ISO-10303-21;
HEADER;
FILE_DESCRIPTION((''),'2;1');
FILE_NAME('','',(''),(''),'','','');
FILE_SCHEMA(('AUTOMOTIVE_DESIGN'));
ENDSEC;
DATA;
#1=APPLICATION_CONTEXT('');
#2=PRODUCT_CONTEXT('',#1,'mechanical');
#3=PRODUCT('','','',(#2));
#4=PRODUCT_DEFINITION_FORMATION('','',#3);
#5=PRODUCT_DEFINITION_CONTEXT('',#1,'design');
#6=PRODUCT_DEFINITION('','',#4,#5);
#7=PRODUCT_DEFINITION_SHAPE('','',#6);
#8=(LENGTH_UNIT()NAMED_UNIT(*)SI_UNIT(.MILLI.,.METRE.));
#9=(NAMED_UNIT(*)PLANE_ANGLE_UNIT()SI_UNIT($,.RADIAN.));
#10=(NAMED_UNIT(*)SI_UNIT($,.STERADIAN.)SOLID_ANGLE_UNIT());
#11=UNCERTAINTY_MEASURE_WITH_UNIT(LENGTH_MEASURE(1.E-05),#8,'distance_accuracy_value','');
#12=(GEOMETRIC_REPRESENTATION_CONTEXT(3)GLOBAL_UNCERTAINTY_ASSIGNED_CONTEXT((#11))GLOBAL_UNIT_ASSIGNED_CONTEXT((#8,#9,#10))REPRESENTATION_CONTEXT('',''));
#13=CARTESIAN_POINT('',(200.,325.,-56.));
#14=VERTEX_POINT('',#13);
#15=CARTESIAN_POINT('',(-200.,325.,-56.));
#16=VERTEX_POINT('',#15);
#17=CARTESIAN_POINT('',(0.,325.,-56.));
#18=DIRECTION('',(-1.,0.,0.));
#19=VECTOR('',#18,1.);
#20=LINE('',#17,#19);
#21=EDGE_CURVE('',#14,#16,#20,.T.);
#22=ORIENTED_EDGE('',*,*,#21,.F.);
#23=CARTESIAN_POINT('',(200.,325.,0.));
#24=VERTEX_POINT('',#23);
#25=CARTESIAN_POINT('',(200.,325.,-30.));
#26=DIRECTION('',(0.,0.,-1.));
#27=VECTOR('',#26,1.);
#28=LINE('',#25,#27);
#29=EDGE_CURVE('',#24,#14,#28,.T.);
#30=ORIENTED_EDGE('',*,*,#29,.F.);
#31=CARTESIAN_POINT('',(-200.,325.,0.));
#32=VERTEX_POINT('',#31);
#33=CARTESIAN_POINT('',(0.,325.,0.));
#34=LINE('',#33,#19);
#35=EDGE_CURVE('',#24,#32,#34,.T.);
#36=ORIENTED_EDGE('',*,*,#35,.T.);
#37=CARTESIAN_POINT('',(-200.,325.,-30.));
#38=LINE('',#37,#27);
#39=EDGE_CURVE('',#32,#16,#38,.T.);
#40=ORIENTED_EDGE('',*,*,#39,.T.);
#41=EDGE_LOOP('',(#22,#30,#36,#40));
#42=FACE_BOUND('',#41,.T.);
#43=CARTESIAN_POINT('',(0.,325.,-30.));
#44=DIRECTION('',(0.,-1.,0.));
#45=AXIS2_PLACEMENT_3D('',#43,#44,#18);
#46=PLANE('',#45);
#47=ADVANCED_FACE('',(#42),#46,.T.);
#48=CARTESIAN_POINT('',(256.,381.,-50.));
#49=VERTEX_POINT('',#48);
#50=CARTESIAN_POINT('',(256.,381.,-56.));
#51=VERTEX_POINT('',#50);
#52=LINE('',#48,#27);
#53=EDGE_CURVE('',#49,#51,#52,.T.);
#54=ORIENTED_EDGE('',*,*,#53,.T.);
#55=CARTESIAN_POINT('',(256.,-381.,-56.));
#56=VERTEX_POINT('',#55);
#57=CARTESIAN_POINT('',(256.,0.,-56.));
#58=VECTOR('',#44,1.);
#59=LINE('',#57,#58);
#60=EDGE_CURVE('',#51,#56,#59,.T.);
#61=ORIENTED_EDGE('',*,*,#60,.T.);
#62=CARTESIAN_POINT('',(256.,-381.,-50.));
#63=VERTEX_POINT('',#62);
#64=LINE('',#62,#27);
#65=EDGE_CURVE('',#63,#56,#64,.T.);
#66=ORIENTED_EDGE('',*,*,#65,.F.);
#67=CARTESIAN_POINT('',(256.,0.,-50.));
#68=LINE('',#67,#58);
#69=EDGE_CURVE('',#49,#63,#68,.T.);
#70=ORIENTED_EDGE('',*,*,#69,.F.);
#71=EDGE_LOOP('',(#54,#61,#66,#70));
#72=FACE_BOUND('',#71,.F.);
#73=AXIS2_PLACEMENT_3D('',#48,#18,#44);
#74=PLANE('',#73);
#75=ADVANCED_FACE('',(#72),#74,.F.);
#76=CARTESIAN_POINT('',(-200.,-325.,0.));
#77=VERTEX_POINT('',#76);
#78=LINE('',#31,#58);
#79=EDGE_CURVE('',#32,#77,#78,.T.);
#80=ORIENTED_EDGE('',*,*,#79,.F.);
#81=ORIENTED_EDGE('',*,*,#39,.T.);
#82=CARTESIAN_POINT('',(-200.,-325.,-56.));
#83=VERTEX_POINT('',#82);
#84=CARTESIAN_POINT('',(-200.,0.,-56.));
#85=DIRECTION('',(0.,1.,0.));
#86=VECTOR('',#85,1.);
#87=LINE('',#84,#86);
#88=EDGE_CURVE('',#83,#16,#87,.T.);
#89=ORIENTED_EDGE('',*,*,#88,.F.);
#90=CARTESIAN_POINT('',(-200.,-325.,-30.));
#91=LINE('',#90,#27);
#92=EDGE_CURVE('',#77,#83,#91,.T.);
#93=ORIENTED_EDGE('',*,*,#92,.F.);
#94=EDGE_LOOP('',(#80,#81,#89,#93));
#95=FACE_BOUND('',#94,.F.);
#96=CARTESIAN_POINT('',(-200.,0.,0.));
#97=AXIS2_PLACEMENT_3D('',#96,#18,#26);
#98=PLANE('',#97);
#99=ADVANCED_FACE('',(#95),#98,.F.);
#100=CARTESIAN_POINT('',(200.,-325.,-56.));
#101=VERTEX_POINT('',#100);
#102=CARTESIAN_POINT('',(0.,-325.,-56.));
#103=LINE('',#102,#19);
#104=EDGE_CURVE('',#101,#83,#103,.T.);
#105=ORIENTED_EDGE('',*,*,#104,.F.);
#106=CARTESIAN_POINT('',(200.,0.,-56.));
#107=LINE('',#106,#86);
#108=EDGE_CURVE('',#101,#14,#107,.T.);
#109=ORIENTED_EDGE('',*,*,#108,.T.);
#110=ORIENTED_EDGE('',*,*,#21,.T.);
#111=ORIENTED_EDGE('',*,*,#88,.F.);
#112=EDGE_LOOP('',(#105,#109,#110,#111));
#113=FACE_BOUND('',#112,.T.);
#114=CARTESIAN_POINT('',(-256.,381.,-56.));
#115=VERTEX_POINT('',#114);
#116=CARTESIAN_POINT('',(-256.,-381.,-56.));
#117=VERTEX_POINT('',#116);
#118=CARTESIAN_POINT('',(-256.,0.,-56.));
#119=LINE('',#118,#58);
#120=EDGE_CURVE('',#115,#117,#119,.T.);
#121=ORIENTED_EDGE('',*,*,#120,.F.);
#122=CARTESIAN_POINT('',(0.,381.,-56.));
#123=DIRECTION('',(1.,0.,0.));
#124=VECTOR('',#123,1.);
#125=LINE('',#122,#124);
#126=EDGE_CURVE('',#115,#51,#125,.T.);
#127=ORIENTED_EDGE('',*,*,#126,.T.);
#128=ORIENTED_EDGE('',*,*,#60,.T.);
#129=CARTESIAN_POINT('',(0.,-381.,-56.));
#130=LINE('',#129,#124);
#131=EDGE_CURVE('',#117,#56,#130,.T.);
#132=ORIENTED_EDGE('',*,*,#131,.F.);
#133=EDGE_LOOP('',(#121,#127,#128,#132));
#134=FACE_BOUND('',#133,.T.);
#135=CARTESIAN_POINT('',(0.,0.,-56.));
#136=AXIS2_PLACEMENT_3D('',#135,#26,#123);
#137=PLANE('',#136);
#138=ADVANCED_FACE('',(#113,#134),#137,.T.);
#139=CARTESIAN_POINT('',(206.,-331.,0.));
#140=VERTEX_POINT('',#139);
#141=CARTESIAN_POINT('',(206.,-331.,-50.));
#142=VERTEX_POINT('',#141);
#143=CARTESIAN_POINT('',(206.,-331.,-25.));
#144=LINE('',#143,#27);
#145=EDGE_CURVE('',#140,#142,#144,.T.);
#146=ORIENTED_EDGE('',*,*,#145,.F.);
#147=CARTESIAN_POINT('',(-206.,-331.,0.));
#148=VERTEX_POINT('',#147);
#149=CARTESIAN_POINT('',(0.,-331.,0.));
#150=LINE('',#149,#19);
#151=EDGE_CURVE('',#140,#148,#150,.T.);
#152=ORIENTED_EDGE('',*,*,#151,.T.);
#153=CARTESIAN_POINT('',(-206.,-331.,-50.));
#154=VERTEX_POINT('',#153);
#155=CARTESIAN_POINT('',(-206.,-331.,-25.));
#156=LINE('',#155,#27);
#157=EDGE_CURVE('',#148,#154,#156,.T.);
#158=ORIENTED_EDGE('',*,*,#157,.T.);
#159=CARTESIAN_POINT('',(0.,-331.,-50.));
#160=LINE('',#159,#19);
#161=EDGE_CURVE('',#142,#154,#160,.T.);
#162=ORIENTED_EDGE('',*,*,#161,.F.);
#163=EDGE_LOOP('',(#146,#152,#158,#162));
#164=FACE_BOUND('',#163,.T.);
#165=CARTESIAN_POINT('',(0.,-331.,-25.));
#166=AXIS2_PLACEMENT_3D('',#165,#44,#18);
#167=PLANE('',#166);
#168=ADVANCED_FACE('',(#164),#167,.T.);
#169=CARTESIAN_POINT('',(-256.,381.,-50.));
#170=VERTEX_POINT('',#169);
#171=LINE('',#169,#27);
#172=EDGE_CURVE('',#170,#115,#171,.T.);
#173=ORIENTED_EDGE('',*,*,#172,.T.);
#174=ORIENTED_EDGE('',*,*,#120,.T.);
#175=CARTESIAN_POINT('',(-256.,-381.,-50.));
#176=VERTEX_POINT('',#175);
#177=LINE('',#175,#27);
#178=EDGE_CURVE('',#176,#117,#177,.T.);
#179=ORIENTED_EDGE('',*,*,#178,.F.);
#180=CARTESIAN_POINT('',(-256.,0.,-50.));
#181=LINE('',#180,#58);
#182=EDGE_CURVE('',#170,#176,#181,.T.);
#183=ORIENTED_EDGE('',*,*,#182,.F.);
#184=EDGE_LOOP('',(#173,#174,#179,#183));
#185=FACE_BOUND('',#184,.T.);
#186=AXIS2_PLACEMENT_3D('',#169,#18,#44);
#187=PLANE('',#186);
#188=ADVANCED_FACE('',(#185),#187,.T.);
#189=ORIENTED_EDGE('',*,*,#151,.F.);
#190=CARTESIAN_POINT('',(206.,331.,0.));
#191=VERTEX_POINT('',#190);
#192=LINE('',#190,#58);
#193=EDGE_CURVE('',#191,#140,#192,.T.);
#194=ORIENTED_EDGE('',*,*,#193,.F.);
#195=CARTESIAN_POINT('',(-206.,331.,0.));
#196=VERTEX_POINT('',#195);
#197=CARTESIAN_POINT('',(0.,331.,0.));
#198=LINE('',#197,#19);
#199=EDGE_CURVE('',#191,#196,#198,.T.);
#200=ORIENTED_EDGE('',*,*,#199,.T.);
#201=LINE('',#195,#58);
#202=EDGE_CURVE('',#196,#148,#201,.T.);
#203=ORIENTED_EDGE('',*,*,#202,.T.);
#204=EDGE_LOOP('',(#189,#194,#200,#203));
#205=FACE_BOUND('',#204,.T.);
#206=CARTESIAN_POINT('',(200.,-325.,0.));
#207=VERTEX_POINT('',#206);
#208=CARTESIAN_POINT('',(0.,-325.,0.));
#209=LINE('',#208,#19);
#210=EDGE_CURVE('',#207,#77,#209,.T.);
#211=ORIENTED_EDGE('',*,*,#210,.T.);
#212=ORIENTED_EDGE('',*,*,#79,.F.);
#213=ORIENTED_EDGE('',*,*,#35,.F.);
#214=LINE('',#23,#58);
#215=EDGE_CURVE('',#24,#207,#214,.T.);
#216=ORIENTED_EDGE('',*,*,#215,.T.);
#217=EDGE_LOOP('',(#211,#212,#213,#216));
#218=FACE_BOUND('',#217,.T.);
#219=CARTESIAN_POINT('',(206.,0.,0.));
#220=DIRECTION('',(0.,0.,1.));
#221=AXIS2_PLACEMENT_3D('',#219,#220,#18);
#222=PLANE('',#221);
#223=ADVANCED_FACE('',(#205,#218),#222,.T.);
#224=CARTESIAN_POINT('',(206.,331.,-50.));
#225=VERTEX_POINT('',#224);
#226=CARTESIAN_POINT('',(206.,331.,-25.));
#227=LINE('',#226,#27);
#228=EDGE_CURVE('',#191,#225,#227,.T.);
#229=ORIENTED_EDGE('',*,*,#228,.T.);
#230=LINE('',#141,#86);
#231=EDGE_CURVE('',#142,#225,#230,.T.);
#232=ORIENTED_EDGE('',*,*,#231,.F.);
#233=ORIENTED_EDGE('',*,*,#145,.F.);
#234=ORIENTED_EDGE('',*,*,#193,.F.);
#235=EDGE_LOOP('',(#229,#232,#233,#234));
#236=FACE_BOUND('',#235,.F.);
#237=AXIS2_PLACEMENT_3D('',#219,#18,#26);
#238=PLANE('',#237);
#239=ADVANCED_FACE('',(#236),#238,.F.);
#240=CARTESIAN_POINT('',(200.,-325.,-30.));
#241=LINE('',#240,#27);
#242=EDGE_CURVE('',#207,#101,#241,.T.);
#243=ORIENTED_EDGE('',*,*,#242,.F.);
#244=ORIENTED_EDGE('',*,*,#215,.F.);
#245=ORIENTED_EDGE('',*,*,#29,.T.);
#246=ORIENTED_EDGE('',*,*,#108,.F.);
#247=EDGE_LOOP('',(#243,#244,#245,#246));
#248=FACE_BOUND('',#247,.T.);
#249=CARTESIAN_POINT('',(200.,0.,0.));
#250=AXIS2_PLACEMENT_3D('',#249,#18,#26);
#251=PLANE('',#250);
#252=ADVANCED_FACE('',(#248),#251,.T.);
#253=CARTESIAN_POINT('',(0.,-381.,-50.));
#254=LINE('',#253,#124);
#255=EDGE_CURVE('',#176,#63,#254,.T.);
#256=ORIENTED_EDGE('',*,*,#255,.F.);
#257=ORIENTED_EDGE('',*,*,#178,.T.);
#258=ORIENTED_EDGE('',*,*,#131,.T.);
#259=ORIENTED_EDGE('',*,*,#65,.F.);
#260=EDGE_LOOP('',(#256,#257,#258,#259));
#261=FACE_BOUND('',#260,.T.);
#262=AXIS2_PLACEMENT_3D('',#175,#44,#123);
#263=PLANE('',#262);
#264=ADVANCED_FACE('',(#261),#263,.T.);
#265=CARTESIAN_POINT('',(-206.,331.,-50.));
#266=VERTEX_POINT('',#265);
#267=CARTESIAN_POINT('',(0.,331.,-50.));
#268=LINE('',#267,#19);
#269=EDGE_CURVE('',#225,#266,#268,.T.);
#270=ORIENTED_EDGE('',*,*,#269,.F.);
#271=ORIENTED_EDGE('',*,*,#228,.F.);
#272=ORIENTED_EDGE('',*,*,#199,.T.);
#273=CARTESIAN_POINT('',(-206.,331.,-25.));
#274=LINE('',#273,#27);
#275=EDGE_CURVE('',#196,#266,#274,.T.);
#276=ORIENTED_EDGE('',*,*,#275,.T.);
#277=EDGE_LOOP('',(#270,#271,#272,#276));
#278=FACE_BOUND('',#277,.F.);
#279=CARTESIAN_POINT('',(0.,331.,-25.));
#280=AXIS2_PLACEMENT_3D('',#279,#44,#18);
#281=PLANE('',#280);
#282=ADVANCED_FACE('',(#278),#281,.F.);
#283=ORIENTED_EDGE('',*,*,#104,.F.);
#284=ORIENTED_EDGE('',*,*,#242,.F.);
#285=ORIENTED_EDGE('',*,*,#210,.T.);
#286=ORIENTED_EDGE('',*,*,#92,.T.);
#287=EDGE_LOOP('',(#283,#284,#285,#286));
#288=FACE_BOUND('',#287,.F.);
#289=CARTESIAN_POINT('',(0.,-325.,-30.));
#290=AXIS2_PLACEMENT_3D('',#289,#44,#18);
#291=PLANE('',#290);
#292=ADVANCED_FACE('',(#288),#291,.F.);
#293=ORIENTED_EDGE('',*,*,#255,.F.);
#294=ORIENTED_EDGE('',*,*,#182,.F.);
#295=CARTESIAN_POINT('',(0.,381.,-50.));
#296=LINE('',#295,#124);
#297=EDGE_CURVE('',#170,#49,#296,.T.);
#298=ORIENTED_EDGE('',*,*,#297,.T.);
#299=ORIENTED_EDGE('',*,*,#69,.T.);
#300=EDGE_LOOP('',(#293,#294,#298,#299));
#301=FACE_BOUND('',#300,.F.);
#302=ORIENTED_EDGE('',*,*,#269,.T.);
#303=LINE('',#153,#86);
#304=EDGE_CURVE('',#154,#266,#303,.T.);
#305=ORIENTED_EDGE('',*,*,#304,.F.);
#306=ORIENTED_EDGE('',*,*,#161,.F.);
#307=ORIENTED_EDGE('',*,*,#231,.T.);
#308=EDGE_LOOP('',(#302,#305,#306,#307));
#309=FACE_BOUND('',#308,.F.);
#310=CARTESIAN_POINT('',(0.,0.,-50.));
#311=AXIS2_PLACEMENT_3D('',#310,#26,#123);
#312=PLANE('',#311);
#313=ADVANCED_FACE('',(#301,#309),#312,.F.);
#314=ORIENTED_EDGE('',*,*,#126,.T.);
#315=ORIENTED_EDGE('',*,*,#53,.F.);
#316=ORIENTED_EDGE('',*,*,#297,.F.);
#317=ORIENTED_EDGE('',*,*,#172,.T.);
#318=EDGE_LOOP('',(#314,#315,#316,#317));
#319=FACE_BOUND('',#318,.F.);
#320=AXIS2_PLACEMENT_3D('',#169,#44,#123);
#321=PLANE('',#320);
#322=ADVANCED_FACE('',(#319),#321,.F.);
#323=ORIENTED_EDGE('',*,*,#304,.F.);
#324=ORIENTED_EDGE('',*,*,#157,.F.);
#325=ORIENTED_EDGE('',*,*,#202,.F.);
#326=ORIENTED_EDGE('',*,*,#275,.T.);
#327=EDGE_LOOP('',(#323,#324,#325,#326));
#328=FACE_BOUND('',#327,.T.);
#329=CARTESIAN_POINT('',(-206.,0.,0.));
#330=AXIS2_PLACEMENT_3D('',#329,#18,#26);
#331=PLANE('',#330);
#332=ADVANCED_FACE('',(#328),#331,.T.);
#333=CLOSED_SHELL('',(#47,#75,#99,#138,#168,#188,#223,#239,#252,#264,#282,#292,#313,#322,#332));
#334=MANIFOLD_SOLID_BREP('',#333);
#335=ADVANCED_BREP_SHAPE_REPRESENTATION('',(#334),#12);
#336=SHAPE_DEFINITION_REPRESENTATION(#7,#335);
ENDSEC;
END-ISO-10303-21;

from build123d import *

# Parameters (mm, degrees)
SKETCH054_W            = 400
SKETCH054_H            = 60
PAD003_DEPTH           = 325
SKETCH055_W            = 412
SKETCH055_H            = 50
PAD008_DEPTH           = 331
SKETCH056_W            = 512
SKETCH056_H            = 762
PAD009_DEPTH           = 6
CUT003_PLACEMENT_ANGLE = 180


with BuildPart() as body002:
    # Sketch054 → Pad003 (new body, symmetric)
    with BuildSketch(Plane.XZ):
        with Locations((0, 30)):
            Rectangle(SKETCH054_W, SKETCH054_H)
    extrude(amount=PAD003_DEPTH, both=True)


with BuildPart() as cut003:
    # Sketch055 → Pad008 (new body, symmetric)
    with BuildSketch(Plane.XZ):
        with Locations((0, 25)):
            Rectangle(SKETCH055_W, SKETCH055_H)
    extrude(amount=PAD008_DEPTH, both=True)

    # Sketch056 (on Face3 of Pad008) → Pad009 (join)
    with BuildSketch(Plane(origin=(0, 0, 50), x_dir=(-1, 0, 0), z_dir=(0, 0, 1))):
        Rectangle(SKETCH056_W, SKETCH056_H)
    extrude(amount=PAD009_DEPTH)

    # Cut003: cut Body002
    add(body002.part, mode=Mode.SUBTRACT)


with BuildPart() as cut003_1:
    # Cut003 placement: moved
    add(cut003.part.rotate(Axis((0, 0, 0), (0, 1, 0)), CUT003_PLACEMENT_ANGLE))


solid = cut003_1.part
